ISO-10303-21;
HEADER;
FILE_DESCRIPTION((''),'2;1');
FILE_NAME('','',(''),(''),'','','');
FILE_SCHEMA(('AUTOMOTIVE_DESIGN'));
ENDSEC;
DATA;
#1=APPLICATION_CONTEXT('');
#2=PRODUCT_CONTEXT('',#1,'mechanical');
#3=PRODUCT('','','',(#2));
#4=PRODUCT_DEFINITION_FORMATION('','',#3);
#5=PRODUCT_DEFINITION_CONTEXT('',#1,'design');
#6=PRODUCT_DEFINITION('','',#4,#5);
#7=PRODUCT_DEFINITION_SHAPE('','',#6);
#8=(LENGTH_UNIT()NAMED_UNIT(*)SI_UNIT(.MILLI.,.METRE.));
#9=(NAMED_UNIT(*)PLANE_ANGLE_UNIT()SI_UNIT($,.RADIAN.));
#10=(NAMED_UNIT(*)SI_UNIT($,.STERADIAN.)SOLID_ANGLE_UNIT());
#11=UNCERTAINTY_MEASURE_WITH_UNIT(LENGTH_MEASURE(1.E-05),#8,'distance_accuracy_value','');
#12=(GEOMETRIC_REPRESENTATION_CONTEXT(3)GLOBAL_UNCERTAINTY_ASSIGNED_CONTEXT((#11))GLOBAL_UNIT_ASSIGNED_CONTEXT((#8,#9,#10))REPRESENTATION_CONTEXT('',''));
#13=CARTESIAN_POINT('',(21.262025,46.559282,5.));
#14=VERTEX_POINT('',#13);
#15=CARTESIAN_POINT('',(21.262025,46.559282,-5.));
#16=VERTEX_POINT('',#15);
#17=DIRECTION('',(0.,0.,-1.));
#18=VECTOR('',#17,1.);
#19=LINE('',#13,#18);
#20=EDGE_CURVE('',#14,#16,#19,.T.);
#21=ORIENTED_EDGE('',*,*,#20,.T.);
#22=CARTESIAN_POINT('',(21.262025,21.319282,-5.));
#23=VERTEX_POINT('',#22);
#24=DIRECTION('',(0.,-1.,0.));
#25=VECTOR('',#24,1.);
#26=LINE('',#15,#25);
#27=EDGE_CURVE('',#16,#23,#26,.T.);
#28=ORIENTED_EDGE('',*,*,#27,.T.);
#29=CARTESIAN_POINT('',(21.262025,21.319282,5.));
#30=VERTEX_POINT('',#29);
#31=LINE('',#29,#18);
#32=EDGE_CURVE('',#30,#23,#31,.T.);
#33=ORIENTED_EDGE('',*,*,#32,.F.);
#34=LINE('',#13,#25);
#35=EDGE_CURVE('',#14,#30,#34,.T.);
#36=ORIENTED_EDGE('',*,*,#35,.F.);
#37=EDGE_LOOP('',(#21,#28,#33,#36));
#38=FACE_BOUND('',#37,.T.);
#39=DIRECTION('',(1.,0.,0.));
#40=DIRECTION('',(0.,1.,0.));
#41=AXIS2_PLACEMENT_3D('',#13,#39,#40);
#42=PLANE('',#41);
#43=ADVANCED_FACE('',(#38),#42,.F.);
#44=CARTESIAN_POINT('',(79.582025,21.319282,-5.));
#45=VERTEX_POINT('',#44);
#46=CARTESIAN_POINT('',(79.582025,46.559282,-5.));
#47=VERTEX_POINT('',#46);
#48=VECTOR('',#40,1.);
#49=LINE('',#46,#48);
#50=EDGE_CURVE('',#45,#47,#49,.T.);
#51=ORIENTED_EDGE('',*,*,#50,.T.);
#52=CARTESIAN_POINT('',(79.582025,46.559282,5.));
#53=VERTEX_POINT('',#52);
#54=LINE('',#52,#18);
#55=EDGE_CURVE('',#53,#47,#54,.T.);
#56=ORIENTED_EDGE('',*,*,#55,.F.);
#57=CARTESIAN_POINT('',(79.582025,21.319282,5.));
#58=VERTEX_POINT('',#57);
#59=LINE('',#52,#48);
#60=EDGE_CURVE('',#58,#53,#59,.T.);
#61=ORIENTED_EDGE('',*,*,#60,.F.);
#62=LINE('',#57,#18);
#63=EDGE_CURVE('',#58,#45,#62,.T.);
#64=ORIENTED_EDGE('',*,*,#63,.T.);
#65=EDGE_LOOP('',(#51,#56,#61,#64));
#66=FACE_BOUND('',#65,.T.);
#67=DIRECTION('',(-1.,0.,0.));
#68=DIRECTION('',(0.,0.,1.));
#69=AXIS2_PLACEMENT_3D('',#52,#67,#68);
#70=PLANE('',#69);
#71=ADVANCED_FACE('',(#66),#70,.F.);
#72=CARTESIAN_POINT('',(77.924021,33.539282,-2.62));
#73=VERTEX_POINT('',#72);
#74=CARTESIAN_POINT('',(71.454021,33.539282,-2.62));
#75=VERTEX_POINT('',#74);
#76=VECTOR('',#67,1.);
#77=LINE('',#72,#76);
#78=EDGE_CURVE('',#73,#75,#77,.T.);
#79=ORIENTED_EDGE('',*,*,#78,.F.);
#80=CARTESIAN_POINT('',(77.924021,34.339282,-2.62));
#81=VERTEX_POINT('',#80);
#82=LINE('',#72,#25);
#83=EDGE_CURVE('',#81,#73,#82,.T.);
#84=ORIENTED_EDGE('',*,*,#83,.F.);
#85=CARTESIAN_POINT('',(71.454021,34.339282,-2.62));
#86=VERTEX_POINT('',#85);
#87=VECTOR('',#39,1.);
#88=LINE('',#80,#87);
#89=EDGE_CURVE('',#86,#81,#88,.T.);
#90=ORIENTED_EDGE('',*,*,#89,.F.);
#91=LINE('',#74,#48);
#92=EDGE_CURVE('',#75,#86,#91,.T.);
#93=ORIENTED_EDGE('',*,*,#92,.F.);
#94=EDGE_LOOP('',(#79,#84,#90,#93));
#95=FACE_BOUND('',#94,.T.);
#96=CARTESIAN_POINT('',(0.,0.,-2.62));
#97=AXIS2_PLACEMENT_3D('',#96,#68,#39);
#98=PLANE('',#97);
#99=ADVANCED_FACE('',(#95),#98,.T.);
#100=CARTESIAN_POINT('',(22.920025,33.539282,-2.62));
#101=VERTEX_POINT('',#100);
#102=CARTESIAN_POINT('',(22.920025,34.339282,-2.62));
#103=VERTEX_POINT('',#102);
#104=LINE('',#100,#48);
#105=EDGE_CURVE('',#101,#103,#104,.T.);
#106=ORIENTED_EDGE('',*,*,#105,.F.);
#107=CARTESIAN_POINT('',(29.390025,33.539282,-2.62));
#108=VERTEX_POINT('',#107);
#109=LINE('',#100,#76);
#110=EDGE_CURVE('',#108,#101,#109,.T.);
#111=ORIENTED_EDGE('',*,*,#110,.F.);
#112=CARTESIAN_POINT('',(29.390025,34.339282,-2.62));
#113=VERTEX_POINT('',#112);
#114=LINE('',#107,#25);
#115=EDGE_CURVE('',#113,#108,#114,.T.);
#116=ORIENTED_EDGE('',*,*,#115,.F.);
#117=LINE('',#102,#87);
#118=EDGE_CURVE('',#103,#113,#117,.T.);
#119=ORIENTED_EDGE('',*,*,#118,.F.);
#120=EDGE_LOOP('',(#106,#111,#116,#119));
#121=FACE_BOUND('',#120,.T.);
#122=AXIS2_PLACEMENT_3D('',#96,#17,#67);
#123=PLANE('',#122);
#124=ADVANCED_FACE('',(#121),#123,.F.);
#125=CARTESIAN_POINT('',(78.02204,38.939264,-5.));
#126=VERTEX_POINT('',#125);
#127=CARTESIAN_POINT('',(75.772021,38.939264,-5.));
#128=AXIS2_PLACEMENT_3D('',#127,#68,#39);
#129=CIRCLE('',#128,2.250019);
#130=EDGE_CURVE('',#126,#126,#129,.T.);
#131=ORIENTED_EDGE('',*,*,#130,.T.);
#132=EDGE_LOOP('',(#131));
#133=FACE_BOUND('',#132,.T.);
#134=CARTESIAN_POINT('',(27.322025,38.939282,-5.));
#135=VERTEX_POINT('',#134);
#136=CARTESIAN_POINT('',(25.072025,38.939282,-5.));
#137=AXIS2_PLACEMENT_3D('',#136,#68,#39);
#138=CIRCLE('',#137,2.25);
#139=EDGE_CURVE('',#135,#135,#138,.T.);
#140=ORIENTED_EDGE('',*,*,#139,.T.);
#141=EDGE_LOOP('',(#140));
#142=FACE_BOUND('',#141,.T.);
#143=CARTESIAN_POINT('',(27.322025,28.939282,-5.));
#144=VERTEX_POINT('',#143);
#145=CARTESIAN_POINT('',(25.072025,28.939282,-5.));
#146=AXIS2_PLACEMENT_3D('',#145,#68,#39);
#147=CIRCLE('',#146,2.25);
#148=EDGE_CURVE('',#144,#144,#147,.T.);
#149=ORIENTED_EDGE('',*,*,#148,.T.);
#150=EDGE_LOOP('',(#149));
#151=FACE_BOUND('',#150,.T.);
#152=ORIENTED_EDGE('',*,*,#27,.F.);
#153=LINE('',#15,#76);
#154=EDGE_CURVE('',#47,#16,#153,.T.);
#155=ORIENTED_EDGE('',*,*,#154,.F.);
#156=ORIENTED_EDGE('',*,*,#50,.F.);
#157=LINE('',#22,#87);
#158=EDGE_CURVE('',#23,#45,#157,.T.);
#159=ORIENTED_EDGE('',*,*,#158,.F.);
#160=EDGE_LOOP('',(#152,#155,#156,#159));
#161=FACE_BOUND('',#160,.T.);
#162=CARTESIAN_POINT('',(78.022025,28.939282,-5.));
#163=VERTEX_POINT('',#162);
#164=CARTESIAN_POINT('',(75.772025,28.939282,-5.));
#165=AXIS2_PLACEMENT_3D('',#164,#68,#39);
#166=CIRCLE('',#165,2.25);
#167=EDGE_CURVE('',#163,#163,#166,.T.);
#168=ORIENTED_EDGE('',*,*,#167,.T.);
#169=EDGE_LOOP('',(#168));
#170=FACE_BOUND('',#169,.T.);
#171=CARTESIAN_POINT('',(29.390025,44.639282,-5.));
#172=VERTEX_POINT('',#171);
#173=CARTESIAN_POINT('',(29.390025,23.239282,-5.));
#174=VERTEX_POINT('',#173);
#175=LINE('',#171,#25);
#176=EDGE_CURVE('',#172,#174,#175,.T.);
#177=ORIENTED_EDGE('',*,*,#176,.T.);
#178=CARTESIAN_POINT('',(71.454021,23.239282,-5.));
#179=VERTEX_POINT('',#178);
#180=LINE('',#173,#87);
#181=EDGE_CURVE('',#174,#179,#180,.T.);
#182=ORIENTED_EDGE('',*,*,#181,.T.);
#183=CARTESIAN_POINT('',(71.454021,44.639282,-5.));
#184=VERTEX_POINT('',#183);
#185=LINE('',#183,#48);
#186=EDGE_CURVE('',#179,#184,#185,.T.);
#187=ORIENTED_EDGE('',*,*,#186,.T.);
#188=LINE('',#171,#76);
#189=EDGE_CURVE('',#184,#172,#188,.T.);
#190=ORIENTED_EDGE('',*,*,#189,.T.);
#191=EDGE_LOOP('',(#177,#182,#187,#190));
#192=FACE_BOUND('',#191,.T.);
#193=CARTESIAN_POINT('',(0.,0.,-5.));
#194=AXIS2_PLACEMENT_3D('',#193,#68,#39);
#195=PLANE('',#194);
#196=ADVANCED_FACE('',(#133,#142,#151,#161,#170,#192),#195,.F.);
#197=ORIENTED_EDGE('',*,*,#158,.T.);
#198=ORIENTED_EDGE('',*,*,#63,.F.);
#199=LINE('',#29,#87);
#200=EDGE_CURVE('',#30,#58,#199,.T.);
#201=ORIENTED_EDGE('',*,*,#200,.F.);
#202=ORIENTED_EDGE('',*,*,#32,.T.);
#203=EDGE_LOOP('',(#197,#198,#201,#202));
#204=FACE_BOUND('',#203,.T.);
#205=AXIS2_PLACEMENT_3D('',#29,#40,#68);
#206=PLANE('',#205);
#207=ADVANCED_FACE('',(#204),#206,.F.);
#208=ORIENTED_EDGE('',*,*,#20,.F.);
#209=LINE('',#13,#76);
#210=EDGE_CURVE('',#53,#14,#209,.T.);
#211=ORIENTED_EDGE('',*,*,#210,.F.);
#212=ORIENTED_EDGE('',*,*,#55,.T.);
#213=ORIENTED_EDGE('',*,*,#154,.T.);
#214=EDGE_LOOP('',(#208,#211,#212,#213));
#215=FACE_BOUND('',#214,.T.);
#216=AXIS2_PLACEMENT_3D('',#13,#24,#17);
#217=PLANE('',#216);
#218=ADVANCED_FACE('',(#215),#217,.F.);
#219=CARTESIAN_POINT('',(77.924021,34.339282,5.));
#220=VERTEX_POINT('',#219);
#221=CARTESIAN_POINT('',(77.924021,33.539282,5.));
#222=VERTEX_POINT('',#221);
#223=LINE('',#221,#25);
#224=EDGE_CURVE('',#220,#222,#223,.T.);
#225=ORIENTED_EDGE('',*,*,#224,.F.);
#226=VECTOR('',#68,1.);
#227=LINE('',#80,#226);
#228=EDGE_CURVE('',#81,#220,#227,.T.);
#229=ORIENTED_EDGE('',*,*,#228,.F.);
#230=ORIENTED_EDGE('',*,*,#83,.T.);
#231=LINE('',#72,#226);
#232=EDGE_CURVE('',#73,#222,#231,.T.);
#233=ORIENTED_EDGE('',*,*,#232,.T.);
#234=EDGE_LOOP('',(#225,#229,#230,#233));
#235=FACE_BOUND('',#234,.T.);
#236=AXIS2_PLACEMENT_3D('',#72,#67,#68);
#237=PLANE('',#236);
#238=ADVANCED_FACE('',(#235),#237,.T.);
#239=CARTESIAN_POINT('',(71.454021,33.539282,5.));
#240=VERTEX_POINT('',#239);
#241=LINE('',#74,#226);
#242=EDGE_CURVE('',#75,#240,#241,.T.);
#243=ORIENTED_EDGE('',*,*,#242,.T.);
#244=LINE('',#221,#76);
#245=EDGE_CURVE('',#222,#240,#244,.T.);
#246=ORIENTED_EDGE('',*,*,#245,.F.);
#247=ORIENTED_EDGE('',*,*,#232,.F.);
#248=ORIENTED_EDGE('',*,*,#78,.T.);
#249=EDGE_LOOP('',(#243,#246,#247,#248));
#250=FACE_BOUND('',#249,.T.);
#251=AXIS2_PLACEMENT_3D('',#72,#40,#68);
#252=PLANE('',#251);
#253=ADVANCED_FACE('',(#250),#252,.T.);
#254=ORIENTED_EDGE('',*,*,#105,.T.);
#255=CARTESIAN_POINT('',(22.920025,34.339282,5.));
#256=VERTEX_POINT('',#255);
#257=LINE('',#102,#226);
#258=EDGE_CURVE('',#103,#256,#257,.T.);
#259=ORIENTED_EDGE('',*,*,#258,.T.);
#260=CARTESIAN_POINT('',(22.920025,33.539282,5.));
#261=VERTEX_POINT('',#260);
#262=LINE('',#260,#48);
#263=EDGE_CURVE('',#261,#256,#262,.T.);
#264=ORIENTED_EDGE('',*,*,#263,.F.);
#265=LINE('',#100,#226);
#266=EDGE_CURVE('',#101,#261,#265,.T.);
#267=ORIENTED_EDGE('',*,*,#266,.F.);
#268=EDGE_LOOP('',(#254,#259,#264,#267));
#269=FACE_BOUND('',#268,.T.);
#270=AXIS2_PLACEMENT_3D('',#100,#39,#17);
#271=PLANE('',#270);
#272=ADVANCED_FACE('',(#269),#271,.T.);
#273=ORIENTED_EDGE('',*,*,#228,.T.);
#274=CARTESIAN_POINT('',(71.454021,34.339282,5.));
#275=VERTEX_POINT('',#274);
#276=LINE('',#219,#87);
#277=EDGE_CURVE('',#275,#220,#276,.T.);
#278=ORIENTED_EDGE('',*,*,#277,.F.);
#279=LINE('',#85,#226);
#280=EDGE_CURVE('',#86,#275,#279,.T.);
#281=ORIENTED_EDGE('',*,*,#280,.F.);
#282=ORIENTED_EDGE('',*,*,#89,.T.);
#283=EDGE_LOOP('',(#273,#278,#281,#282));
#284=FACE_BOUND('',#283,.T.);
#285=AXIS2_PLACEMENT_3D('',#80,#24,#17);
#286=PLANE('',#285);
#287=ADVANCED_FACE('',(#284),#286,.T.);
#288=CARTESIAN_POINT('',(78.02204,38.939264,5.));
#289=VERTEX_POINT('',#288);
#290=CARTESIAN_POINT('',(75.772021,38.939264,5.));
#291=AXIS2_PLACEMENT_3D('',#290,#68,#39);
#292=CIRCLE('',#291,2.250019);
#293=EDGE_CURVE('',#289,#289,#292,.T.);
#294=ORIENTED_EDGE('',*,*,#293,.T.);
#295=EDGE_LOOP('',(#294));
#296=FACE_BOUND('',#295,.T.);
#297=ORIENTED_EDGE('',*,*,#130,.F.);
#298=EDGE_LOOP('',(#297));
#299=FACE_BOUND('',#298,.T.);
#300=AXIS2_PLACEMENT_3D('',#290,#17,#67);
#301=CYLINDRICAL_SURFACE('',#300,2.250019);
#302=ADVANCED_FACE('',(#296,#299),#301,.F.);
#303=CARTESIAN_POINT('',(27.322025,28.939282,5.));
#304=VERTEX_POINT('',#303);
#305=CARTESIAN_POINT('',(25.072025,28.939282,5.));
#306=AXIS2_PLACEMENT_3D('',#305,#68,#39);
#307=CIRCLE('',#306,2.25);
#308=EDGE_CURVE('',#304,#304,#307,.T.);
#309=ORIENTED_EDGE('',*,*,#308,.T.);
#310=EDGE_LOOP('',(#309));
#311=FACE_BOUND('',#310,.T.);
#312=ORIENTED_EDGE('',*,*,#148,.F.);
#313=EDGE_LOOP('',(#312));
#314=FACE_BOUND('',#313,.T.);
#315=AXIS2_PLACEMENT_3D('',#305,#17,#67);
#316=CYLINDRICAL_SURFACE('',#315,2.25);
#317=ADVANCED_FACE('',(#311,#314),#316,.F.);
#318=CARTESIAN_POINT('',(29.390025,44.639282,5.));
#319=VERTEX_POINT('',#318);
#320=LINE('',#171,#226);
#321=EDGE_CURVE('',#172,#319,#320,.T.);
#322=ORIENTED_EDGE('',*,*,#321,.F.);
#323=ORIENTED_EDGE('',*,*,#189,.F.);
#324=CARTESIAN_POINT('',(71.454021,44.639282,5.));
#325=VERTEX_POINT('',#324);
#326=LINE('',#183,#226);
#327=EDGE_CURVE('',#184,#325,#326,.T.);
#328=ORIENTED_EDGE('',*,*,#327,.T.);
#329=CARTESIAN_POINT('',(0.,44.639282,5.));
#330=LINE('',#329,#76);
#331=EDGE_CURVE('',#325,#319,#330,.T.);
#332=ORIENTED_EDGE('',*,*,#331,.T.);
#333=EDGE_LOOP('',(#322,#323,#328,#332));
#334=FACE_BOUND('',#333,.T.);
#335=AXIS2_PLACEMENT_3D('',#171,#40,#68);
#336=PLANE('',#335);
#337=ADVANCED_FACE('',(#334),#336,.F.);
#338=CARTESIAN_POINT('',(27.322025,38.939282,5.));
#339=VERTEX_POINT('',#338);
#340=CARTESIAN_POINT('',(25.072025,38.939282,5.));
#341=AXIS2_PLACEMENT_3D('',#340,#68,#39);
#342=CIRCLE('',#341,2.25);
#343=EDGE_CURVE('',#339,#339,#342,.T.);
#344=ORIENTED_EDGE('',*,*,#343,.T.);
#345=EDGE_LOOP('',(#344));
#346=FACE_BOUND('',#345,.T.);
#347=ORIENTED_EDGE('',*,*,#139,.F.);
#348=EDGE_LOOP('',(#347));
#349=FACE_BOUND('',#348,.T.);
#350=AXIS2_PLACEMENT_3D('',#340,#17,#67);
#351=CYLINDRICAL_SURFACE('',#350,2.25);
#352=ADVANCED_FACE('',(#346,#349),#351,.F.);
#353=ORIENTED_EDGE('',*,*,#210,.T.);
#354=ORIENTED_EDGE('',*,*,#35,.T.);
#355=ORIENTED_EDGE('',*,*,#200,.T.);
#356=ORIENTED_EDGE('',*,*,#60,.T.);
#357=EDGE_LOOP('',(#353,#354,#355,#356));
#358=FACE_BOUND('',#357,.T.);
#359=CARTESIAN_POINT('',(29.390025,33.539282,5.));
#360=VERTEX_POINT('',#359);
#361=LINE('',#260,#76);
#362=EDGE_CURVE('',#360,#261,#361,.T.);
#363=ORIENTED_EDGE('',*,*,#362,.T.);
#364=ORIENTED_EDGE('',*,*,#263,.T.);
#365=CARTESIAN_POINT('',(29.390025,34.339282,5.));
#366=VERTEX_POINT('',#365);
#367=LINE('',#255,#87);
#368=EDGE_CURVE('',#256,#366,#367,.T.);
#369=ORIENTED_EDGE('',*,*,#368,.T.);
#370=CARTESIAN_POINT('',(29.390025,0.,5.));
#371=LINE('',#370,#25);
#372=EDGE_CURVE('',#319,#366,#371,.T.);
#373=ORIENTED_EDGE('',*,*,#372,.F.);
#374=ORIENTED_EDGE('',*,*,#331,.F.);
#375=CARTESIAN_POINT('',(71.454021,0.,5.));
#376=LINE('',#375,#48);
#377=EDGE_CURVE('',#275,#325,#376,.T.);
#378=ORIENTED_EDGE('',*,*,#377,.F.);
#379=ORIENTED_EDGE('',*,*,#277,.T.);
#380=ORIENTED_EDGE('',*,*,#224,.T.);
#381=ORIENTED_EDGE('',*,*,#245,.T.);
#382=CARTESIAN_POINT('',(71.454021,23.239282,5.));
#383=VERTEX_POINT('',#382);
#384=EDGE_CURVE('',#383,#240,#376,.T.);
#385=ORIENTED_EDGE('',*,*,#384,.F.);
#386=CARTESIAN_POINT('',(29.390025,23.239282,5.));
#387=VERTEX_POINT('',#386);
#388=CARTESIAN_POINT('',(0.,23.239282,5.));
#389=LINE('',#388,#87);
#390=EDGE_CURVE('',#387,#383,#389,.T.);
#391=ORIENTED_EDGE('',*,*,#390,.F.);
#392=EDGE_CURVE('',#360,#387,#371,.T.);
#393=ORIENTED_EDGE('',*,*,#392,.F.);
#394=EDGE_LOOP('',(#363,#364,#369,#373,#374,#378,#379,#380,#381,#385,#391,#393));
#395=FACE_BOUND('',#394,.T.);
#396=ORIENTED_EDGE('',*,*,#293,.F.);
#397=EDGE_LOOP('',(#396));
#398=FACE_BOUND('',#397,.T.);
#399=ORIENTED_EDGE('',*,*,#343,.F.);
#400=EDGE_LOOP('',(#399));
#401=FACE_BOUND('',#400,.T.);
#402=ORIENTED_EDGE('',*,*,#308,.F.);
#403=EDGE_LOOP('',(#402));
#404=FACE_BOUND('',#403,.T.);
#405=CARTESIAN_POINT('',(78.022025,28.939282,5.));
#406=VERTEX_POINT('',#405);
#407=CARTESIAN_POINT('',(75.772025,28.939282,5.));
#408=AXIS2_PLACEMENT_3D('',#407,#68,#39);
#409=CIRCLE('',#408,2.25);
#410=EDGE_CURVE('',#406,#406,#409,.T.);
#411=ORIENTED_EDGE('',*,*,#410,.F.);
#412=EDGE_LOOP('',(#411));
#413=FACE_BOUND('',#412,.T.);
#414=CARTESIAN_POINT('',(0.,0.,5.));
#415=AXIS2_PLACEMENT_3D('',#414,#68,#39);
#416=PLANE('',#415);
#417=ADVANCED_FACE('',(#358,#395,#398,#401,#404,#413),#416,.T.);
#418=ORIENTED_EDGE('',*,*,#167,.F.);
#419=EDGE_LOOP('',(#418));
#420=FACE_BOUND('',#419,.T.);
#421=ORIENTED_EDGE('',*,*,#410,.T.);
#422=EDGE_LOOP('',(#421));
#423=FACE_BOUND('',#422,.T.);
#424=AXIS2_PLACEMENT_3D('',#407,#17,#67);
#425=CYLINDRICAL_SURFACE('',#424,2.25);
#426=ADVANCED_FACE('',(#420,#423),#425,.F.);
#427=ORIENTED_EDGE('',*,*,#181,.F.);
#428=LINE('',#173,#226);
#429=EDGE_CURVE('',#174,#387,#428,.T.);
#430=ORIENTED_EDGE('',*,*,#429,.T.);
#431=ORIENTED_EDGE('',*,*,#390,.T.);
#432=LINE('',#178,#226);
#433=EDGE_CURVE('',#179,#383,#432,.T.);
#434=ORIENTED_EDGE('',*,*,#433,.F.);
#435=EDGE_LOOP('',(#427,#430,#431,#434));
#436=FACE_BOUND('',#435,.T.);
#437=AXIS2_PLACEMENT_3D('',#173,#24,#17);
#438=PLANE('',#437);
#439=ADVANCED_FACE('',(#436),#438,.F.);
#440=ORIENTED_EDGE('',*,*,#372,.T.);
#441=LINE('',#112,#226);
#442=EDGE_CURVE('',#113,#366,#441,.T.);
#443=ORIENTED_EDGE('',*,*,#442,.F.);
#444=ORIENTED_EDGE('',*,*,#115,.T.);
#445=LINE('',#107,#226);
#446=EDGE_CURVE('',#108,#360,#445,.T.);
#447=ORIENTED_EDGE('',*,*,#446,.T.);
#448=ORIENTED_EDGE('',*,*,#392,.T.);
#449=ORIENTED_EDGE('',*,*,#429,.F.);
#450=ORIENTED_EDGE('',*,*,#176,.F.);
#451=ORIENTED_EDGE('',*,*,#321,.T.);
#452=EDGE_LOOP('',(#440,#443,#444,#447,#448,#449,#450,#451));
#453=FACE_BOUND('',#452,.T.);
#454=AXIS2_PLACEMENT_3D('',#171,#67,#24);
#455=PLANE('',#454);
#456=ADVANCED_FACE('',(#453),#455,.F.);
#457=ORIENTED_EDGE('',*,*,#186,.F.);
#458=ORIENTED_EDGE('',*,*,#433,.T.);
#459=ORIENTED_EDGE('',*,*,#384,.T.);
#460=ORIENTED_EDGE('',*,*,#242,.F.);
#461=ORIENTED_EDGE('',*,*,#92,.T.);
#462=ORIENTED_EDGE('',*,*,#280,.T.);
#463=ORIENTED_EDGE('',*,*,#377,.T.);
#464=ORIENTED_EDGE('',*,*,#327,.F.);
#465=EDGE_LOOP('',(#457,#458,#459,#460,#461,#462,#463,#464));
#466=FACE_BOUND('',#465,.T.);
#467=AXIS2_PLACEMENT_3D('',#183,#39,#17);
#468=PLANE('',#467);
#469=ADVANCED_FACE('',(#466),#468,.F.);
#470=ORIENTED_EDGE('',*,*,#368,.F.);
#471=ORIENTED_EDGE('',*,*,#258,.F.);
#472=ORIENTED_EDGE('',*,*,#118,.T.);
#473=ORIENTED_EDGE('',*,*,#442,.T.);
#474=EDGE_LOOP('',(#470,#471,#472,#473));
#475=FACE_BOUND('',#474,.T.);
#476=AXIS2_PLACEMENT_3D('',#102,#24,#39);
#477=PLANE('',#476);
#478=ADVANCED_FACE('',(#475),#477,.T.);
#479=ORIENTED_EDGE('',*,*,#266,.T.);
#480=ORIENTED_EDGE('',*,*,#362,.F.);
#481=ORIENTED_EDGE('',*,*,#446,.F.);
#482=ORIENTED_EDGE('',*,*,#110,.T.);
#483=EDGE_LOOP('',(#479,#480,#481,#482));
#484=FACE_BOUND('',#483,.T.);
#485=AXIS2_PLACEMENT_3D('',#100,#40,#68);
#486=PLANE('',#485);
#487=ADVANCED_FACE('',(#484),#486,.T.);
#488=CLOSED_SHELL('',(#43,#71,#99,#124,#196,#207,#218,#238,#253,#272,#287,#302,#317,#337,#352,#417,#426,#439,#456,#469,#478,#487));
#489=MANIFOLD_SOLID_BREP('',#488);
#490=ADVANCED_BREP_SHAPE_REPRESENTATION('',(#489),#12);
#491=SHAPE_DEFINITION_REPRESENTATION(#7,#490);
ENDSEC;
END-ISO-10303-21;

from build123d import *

# Parameters (mm, degrees)
SKETCH2_W               = 58.32
SKETCH2_H               = 25.24
BOSS_EXTRUDE1_DEPTH     = 5
SKETCH1_R               = 2.25
SKETCH1_R_2             = 2.250000002
SKETCH1_R_3             = 2.250018527
CUT_EXTRUDE1_DEPTH      = 6
CUT_EXTRUDE1_DEPTH_BACK = 6
SKETCH3_W               = 42.063996433
SKETCH3_H               = 21.40000003
CUT_EXTRUDE2_DEPTH      = 1
CUT_EXTRUDE2_DEPTH_BACK = 11
SKETCH4_W               = 6.47
SKETCH4_H               = 0.8
CUT_EXTRUDE3_DEPTH      = 7.62


with BuildPart() as part:
    # Sketch2 → Boss-Extrude1 (new body, symmetric)
    with BuildSketch(Plane.XY):
        with Locations((50.422024802, 33.939282453)):
            Rectangle(SKETCH2_W, SKETCH2_H)
    extrude(amount=BOSS_EXTRUDE1_DEPTH, both=True)

    # Sketch1 → Cut-Extrude1 (cut, two sides)
    with BuildSketch(Plane.XY) as cut_extrude1_sk:
        with Locations((25.072024802, 28.939282453)):
            Circle(SKETCH1_R)
        with Locations((25.072024802, 38.939282453)):
            Circle(SKETCH1_R_2)
        with Locations((75.772021235, 38.939264272)):
            Circle(SKETCH1_R_3)
        with Locations((75.772024802, 28.939282453)):
            Circle(SKETCH1_R)
    extrude(amount=CUT_EXTRUDE1_DEPTH, mode=Mode.SUBTRACT)
    extrude(cut_extrude1_sk.sketch, amount=-CUT_EXTRUDE1_DEPTH_BACK, mode=Mode.SUBTRACT)

    # Sketch3 → Cut-Extrude2 (cut, two sides)
    with BuildSketch(Plane.XY.offset(5)) as cut_extrude2_sk:
        with Locations((50.422023018, 33.939282438)):
            Rectangle(SKETCH3_W, SKETCH3_H)
    extrude(amount=CUT_EXTRUDE2_DEPTH, mode=Mode.SUBTRACT)
    extrude(cut_extrude2_sk.sketch, amount=-CUT_EXTRUDE2_DEPTH_BACK, mode=Mode.SUBTRACT)

    # Sketch4 → Cut-Extrude3 (cut)
    with BuildSketch(Plane(origin=(0, 0, 5), x_dir=(-1, 0, 0), z_dir=(0, 0, -1))):
        with Locations((-74.689021235, 33.939282453)):
            Rectangle(SKETCH4_W, SKETCH4_H)
        with Locations((-26.155024802, 33.939282453)):
            Rectangle(SKETCH4_W, SKETCH4_H)
    extrude(amount=CUT_EXTRUDE3_DEPTH, mode=Mode.SUBTRACT)


solid = part.part
